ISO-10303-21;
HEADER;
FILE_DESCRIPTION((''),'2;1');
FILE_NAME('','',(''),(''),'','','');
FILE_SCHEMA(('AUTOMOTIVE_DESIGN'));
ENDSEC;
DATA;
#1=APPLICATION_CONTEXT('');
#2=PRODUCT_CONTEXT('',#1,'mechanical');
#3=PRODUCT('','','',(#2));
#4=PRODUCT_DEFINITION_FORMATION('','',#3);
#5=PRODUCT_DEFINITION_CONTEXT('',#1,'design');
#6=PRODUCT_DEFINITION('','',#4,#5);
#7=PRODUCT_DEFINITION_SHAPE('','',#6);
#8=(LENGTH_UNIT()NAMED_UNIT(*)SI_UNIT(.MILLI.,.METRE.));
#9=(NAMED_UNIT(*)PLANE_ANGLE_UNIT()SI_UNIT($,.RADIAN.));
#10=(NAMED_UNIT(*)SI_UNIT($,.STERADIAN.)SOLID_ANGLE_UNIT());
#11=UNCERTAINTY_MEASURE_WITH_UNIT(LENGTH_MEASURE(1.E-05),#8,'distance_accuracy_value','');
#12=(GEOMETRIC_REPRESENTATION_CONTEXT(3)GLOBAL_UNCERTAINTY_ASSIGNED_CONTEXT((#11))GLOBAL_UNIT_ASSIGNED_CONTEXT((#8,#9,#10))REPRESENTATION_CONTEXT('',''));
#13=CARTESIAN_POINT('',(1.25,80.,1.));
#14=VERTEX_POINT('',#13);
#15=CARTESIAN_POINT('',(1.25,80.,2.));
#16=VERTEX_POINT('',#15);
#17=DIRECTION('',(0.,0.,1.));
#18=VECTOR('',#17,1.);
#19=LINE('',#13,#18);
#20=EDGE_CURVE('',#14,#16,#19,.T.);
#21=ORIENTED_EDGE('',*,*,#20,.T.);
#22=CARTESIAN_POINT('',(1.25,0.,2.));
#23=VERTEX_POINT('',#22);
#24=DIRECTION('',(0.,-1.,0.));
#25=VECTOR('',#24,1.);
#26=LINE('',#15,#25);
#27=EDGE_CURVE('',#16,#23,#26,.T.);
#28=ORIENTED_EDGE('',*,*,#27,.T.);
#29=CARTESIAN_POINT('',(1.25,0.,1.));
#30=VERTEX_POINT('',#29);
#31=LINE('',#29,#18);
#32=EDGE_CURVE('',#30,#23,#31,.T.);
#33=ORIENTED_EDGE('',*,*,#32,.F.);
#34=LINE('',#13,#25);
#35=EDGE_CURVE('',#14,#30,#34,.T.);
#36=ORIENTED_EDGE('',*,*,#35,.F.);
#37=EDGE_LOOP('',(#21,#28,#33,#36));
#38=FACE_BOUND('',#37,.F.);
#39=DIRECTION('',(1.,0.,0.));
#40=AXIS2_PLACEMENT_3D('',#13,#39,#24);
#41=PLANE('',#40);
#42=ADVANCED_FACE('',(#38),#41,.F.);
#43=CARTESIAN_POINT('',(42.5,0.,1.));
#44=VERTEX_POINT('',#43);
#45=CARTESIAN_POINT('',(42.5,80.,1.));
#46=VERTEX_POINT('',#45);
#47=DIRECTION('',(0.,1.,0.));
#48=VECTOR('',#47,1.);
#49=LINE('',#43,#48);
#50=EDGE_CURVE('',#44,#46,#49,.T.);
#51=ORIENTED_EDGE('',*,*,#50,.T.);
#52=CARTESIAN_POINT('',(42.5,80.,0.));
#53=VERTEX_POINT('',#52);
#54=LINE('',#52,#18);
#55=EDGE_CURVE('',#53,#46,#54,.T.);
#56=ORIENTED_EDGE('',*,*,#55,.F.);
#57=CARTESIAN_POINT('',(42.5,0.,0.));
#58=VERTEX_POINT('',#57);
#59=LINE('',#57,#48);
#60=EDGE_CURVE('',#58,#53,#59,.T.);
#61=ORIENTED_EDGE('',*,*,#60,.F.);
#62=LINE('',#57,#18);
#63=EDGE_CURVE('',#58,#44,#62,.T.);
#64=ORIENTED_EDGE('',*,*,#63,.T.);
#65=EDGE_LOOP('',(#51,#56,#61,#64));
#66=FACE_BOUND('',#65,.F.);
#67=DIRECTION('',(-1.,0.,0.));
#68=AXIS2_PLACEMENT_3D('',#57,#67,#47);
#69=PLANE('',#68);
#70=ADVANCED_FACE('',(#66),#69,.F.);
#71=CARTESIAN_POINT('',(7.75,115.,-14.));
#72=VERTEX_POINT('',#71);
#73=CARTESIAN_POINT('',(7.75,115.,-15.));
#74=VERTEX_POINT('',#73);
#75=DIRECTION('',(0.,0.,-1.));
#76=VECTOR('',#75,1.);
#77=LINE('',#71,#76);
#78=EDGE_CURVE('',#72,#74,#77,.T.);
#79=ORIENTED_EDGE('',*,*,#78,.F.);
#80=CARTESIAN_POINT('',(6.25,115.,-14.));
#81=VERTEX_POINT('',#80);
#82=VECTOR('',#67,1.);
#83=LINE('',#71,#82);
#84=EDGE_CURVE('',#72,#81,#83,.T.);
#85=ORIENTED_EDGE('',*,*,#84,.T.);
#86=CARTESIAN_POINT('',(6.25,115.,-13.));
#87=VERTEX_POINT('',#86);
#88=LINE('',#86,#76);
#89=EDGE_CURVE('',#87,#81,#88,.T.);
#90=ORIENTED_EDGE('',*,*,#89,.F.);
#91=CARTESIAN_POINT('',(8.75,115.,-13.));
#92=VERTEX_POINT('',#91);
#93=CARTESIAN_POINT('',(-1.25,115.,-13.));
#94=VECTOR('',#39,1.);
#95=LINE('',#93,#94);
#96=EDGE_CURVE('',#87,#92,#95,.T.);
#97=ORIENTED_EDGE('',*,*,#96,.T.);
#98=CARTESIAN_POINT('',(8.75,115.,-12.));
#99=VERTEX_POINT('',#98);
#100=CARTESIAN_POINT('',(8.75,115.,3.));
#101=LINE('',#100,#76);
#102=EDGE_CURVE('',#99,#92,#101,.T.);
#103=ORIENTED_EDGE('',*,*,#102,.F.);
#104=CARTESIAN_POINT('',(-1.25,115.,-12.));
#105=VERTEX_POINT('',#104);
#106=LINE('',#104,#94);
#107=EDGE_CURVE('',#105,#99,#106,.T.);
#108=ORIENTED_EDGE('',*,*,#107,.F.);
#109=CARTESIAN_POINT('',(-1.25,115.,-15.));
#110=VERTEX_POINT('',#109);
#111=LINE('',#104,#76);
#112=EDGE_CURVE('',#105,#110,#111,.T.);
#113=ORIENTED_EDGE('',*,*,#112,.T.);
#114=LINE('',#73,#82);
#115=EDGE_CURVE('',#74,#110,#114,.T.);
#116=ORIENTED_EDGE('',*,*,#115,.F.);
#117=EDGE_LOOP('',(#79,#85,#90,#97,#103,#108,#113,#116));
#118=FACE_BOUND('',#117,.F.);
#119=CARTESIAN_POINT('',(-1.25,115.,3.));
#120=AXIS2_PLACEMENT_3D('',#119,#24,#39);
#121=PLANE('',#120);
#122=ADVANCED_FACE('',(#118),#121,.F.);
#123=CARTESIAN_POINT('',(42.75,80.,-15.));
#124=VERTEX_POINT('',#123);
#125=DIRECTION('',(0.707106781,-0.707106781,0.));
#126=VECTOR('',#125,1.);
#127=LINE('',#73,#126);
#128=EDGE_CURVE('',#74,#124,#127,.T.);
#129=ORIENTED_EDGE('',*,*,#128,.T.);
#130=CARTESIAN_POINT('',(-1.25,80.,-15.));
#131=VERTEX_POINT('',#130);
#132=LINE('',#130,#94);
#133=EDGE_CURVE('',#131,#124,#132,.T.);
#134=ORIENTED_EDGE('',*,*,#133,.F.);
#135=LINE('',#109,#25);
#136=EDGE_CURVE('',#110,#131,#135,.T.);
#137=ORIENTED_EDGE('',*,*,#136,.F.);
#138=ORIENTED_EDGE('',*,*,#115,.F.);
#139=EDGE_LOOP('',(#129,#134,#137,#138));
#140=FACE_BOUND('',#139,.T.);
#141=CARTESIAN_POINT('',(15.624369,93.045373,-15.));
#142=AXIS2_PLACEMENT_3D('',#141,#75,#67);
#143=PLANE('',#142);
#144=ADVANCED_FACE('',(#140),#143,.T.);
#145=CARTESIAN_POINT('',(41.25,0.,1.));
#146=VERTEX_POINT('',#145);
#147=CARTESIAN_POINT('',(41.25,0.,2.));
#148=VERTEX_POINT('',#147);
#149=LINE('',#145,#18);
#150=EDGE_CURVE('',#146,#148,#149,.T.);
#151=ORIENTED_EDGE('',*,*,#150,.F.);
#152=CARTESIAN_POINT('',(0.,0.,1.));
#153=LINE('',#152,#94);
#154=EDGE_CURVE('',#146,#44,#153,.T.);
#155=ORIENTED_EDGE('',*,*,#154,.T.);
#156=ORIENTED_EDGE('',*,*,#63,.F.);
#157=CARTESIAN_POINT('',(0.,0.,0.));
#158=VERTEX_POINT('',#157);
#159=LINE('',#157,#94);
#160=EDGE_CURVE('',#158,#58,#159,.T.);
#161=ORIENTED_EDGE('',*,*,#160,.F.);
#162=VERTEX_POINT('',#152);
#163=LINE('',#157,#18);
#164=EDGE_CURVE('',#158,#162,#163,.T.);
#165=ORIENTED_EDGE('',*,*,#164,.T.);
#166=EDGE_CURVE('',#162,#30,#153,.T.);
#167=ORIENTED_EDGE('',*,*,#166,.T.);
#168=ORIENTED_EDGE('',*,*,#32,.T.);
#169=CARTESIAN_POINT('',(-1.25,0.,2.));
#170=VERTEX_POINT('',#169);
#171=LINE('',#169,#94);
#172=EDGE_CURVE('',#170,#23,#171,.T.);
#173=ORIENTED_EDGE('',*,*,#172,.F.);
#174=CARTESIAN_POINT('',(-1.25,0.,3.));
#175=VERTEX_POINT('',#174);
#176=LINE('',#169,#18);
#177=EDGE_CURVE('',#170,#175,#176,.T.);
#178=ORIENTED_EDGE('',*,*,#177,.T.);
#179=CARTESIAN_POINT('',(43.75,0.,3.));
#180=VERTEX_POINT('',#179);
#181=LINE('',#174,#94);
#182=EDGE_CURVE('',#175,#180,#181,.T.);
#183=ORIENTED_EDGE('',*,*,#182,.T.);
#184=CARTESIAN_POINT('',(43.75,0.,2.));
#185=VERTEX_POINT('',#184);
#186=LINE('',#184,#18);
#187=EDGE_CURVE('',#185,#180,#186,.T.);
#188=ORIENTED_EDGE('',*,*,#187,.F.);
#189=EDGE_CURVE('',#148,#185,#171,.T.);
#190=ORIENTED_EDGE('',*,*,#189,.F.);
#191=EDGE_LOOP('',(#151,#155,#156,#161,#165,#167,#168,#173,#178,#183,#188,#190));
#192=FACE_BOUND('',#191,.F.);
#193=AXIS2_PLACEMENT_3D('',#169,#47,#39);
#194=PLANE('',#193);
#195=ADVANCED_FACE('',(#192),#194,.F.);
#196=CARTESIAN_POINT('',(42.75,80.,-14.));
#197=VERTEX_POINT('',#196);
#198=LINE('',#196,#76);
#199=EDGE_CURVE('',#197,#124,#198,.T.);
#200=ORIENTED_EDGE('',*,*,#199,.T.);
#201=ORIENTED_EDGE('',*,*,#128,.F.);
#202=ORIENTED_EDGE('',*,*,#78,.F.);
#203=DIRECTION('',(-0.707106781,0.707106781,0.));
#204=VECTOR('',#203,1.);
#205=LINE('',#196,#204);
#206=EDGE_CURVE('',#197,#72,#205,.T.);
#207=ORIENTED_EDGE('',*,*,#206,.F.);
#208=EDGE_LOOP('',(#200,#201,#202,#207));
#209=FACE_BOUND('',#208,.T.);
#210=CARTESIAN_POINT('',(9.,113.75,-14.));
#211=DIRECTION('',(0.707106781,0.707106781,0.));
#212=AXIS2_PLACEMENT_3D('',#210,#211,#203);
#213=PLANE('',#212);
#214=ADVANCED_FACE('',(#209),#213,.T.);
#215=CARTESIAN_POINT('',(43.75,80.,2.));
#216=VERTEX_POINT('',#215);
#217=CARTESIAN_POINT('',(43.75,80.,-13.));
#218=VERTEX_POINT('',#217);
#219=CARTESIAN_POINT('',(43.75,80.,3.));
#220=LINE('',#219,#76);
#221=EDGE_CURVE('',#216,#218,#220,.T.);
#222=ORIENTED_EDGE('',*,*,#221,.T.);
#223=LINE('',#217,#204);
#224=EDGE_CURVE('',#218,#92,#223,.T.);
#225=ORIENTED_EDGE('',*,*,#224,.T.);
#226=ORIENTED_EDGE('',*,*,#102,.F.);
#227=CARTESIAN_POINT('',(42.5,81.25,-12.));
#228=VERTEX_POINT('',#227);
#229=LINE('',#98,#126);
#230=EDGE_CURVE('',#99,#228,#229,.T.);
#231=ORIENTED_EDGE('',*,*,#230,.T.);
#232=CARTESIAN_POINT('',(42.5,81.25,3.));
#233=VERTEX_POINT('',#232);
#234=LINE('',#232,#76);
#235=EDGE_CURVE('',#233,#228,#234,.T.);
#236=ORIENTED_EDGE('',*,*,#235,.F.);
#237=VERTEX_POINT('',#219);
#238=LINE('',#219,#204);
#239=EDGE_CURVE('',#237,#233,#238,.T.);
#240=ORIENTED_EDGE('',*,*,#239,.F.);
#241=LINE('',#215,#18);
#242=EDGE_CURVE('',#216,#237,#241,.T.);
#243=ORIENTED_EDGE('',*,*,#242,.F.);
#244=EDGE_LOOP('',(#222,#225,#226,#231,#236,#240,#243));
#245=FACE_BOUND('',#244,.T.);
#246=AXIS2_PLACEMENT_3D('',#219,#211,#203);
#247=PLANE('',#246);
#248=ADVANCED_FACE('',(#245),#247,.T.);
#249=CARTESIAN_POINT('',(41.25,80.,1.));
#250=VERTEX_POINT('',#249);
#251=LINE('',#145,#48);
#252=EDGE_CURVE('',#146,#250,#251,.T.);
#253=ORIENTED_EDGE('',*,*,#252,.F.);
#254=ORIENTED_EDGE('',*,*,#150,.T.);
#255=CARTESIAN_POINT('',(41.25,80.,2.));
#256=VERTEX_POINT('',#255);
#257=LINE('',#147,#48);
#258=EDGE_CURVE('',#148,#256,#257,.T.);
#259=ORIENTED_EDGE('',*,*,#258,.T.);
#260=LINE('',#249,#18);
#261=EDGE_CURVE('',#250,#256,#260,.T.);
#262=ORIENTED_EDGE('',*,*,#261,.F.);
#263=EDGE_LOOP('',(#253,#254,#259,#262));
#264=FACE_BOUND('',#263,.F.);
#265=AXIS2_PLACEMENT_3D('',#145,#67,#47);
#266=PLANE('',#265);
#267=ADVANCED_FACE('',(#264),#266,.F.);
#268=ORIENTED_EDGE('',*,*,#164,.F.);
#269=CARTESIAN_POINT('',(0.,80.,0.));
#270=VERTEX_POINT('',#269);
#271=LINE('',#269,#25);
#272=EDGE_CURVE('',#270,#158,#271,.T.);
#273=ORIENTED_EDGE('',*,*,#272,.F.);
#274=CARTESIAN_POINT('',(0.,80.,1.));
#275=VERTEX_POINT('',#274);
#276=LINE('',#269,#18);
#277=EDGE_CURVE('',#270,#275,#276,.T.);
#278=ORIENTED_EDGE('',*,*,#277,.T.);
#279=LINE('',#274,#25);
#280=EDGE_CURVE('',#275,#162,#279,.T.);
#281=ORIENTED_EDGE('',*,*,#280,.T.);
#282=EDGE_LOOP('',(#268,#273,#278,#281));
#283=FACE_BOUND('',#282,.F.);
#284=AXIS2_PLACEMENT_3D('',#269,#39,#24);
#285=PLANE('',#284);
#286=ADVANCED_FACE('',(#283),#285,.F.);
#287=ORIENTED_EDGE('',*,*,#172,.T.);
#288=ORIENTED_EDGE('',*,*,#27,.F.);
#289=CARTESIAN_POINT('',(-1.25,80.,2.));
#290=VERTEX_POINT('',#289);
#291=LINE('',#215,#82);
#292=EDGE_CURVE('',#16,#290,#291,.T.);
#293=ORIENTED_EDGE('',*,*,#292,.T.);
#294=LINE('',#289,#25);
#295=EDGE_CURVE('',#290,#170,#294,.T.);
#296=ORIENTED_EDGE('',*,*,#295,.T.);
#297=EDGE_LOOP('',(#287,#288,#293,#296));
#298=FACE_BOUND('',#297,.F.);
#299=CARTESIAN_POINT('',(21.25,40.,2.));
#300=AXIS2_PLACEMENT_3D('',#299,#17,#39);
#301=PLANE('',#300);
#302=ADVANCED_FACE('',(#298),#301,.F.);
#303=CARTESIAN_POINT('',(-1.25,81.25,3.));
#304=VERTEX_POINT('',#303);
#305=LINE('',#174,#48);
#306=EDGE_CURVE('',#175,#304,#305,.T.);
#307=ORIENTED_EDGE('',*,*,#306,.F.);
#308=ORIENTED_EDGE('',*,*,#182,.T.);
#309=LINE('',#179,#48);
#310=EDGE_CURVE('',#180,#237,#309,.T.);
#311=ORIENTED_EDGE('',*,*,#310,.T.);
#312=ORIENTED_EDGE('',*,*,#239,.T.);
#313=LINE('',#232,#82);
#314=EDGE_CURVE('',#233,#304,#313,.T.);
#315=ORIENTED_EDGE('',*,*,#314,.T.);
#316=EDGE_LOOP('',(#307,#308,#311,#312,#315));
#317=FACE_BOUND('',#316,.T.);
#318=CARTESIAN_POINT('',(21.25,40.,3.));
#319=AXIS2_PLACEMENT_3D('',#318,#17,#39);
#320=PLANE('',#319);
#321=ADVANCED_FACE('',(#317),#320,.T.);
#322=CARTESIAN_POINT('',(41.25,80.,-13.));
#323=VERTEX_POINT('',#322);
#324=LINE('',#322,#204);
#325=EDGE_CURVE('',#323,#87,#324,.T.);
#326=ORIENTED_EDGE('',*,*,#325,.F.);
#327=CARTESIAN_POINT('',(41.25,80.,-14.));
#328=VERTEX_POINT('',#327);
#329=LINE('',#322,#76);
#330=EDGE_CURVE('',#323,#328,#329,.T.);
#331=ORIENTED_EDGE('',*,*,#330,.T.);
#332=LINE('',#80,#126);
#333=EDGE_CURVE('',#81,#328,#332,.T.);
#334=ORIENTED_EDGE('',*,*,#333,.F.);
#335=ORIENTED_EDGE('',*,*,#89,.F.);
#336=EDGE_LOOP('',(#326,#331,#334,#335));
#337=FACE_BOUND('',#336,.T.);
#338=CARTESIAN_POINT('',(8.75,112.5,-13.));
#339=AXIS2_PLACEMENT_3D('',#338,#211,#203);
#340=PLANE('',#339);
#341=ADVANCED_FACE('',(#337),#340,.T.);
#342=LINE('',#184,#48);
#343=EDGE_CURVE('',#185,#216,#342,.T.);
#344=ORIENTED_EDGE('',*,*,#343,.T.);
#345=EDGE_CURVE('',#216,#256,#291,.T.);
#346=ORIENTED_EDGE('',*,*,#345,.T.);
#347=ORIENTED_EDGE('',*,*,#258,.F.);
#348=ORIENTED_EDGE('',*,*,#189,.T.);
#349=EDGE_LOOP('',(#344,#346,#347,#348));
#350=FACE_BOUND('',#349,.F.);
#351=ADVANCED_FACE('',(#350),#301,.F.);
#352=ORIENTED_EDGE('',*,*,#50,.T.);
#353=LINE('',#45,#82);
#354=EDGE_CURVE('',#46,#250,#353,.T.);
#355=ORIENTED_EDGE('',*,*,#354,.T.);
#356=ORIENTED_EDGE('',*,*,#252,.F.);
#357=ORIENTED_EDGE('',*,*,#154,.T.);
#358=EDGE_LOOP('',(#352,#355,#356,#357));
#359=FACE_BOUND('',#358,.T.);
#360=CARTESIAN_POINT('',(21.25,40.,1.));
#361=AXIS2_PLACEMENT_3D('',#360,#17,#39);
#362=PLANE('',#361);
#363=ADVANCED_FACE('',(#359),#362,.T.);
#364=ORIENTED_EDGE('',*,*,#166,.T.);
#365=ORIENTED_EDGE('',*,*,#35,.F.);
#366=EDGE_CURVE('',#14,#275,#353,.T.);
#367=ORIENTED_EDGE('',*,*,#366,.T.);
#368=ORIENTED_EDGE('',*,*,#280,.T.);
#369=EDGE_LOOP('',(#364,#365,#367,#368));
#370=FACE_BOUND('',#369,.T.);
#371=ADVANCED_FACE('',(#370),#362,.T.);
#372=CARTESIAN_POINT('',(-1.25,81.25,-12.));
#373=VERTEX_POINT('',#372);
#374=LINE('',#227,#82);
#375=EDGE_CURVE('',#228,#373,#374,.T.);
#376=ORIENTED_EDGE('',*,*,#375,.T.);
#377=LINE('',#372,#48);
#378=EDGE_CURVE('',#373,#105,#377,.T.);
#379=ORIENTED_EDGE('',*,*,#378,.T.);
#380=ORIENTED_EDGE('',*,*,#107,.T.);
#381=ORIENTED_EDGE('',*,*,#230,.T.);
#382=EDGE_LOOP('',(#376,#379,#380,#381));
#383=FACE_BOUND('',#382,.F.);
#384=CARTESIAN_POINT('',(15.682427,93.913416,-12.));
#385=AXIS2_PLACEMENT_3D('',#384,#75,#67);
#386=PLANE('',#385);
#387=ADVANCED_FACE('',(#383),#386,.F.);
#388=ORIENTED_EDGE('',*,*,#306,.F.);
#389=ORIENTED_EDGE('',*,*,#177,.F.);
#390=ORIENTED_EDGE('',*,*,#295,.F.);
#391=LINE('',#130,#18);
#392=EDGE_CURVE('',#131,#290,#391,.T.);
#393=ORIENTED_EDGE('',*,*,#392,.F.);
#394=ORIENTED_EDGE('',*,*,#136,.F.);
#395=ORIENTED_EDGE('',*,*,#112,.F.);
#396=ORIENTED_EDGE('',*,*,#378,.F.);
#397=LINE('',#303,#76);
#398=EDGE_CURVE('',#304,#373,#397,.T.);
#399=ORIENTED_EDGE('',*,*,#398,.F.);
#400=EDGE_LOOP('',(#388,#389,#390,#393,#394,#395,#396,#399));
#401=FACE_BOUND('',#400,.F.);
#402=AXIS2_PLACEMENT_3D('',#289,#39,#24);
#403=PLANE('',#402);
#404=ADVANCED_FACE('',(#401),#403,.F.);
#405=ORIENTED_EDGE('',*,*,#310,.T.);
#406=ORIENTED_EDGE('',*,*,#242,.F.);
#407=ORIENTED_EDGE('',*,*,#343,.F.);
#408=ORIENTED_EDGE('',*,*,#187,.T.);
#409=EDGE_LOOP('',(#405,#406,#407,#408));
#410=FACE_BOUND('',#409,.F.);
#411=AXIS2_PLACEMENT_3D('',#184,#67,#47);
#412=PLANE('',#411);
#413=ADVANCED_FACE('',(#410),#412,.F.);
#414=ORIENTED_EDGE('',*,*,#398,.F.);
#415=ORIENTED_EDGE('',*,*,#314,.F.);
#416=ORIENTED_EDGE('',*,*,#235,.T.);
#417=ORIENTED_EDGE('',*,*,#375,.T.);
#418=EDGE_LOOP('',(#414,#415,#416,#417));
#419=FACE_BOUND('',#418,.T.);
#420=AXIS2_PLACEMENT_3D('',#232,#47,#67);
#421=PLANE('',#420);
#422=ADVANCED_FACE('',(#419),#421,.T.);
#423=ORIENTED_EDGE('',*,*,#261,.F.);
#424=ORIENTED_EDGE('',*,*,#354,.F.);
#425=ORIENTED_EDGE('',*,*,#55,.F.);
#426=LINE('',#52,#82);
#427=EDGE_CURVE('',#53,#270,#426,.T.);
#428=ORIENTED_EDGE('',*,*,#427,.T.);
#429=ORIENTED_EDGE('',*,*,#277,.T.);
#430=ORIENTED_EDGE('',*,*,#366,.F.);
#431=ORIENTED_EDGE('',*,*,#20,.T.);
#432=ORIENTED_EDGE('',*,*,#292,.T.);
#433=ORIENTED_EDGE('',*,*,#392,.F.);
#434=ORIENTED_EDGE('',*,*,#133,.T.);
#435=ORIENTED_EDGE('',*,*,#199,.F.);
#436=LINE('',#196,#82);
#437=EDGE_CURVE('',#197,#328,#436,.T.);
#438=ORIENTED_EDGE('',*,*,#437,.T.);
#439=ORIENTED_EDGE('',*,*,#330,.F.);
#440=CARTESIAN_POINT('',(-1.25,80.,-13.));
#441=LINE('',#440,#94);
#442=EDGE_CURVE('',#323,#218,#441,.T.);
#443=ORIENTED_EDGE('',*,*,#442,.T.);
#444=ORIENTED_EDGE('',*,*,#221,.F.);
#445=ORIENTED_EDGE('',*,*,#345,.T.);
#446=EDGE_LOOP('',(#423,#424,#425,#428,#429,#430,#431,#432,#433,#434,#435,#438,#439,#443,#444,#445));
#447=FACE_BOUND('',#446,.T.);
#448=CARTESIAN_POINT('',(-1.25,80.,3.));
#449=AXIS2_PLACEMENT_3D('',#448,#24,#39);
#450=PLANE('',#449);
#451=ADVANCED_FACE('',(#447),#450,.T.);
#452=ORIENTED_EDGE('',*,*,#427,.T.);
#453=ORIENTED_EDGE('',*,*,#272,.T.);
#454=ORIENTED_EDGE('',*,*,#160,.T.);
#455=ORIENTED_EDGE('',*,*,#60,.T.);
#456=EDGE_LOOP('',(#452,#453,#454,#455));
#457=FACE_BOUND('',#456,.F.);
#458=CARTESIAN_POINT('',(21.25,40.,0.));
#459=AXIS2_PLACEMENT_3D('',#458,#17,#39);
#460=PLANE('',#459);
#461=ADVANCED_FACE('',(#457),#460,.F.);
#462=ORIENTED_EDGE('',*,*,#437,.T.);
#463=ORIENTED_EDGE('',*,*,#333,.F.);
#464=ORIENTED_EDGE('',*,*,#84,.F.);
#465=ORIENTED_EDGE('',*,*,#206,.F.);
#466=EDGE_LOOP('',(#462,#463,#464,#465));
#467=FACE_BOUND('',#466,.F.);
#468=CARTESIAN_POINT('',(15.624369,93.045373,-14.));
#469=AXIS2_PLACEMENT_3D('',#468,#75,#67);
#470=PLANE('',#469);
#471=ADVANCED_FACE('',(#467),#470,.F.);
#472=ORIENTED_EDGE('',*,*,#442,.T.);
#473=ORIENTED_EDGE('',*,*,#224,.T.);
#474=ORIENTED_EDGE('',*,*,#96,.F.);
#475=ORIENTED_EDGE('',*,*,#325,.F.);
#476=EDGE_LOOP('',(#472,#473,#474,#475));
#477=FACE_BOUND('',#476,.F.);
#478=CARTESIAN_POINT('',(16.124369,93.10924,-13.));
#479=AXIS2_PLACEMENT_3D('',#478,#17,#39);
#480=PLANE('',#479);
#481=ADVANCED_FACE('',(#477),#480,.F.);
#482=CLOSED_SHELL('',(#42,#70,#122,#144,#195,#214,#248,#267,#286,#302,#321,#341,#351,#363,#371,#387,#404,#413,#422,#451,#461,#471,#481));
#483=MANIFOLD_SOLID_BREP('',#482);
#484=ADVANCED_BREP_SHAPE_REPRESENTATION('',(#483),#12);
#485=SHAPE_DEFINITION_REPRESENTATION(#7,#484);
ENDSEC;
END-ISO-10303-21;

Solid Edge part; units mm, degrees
sketch "Sketch1" plane through (0, 0, 0) normal (0, 0, 1) x (1, 0, 0)
  line L0 (0, 0) -> (42.5, 0)
  line L1 (42.5, 0) -> (42.5, 80)
  line L2 (42.5, 80) -> (0, 80)
  line L3 (0, 80) -> (0, 0)
extrude "Protrusion1" add sketch "Sketch1" along normal blind 1
sketch "Sketch2" plane through (21.25, 40, 1) normal (0, 0, 1) x (1, 0, 0)
  line L0 (-20, 40) -> (-20, -40)
  line L1 (-20, -40) -> (20, -40)
  line L2 (20, -40) -> (20, 40)
  line L3 (20, 40) -> (-20, 40)
extrude "Vysunutí_2" add sketch "Sketch2" along normal blind 1
sketch "Sketch3" plane through (21.25, 40, 2) normal (0, 0, 1) x (1, 0, 0)
  line L0 (-22.5, -40) -> (22.5, -40)
  line L1 (22.5, -40) -> (22.5, 40)
  line L2 (22.5, 40) -> (-22.5, 40)
  line L3 (-22.5, 40) -> (-22.5, -40)
extrude "Vysunutí_3" add sketch "Sketch3" along normal blind 1
sketch "Sketch4" plane through (21.25, 40, 3) normal (0, 0, 1) x (1, 0, 0)
  line L0 (-22.5, 75) -> (-22.5, 40)
  line L1 (-22.5, 40) -> (22.5, 40)
  line L2 (22.5, 40) -> (-12.5, 75)
  line L3 (-22.5, 75) -> (-12.5, 75)
extrude "Protrusion2" add sketch "Sketch4" against normal blind 16
sketch "Sketch5" plane through (21.25, 57.5, 3) normal (0, 0, 1) x (0, -1, 0)
  line L0 (-23.75, 21.25) -> (-23.75, -22.5)
  line L1 (-23.75, -22.5) -> (-57.5, -22.5)
  line L2 (-57.5, -22.5) -> (-57.5, -12.5)
  line L3 (-57.5, -12.5) -> (-23.75, 21.25)
extrude "Cutout1" cut sketch "Sketch5" against normal blind 15
sketch "Sketch6" plane through (21.25, 97.5, -13) normal (0, 0, -1) x (0, -1, 0)
  line L0 (-15, 12.5) -> (-7.6278, 5.1278)
  line L1 (-7.6278, 5.1278) -> (16.25, -18.75)
  line L2 (17.5, -20) -> (16.25, -18.75)
  line L3 (17.5, 22.5) -> (17.5, -20)
  line L4 (16.25, 22.5) -> (17.5, 22.5)
  line L5 (16.25, 22.5) -> (-15, 22.5)
  line L6 (-17.5, 22.5) -> (-15, 22.5)
  line L7 (-17.5, 15) -> (-17.5, 22.5)
  line L8 (-15, 12.5) -> (-17.5, 15)
extrude "Vysunutí_6" add sketch "Sketch6" along normal blind 1
sketch "Sketch7" plane through (20, 96.25, -14) normal (0, 0, -1) x (-1, 0, 0)
  line L0 (21.25, 16.25) -> (21.25, 17.5)
  line L1 (21.25, 18.75) -> (21.25, 17.5)
  line L2 (12.25, 18.75) -> (21.25, 18.75)
  line L3 (11, 17.5) -> (12.25, 18.75)
  line L4 (9.75, 16.25) -> (11, 17.5)
  line L5 (9.75, 16.25) -> (-22.75, -16.25)
  line L6 (-22.75, -16.25) -> (-21.25, -16.25)
  line L7 (21.25, -16.25) -> (-21.25, -16.25)
  line L8 (21.25, 16.25) -> (21.25, -16.25)
extrude "Vysunutí_7" add sketch "Sketch7" along normal blind 1
